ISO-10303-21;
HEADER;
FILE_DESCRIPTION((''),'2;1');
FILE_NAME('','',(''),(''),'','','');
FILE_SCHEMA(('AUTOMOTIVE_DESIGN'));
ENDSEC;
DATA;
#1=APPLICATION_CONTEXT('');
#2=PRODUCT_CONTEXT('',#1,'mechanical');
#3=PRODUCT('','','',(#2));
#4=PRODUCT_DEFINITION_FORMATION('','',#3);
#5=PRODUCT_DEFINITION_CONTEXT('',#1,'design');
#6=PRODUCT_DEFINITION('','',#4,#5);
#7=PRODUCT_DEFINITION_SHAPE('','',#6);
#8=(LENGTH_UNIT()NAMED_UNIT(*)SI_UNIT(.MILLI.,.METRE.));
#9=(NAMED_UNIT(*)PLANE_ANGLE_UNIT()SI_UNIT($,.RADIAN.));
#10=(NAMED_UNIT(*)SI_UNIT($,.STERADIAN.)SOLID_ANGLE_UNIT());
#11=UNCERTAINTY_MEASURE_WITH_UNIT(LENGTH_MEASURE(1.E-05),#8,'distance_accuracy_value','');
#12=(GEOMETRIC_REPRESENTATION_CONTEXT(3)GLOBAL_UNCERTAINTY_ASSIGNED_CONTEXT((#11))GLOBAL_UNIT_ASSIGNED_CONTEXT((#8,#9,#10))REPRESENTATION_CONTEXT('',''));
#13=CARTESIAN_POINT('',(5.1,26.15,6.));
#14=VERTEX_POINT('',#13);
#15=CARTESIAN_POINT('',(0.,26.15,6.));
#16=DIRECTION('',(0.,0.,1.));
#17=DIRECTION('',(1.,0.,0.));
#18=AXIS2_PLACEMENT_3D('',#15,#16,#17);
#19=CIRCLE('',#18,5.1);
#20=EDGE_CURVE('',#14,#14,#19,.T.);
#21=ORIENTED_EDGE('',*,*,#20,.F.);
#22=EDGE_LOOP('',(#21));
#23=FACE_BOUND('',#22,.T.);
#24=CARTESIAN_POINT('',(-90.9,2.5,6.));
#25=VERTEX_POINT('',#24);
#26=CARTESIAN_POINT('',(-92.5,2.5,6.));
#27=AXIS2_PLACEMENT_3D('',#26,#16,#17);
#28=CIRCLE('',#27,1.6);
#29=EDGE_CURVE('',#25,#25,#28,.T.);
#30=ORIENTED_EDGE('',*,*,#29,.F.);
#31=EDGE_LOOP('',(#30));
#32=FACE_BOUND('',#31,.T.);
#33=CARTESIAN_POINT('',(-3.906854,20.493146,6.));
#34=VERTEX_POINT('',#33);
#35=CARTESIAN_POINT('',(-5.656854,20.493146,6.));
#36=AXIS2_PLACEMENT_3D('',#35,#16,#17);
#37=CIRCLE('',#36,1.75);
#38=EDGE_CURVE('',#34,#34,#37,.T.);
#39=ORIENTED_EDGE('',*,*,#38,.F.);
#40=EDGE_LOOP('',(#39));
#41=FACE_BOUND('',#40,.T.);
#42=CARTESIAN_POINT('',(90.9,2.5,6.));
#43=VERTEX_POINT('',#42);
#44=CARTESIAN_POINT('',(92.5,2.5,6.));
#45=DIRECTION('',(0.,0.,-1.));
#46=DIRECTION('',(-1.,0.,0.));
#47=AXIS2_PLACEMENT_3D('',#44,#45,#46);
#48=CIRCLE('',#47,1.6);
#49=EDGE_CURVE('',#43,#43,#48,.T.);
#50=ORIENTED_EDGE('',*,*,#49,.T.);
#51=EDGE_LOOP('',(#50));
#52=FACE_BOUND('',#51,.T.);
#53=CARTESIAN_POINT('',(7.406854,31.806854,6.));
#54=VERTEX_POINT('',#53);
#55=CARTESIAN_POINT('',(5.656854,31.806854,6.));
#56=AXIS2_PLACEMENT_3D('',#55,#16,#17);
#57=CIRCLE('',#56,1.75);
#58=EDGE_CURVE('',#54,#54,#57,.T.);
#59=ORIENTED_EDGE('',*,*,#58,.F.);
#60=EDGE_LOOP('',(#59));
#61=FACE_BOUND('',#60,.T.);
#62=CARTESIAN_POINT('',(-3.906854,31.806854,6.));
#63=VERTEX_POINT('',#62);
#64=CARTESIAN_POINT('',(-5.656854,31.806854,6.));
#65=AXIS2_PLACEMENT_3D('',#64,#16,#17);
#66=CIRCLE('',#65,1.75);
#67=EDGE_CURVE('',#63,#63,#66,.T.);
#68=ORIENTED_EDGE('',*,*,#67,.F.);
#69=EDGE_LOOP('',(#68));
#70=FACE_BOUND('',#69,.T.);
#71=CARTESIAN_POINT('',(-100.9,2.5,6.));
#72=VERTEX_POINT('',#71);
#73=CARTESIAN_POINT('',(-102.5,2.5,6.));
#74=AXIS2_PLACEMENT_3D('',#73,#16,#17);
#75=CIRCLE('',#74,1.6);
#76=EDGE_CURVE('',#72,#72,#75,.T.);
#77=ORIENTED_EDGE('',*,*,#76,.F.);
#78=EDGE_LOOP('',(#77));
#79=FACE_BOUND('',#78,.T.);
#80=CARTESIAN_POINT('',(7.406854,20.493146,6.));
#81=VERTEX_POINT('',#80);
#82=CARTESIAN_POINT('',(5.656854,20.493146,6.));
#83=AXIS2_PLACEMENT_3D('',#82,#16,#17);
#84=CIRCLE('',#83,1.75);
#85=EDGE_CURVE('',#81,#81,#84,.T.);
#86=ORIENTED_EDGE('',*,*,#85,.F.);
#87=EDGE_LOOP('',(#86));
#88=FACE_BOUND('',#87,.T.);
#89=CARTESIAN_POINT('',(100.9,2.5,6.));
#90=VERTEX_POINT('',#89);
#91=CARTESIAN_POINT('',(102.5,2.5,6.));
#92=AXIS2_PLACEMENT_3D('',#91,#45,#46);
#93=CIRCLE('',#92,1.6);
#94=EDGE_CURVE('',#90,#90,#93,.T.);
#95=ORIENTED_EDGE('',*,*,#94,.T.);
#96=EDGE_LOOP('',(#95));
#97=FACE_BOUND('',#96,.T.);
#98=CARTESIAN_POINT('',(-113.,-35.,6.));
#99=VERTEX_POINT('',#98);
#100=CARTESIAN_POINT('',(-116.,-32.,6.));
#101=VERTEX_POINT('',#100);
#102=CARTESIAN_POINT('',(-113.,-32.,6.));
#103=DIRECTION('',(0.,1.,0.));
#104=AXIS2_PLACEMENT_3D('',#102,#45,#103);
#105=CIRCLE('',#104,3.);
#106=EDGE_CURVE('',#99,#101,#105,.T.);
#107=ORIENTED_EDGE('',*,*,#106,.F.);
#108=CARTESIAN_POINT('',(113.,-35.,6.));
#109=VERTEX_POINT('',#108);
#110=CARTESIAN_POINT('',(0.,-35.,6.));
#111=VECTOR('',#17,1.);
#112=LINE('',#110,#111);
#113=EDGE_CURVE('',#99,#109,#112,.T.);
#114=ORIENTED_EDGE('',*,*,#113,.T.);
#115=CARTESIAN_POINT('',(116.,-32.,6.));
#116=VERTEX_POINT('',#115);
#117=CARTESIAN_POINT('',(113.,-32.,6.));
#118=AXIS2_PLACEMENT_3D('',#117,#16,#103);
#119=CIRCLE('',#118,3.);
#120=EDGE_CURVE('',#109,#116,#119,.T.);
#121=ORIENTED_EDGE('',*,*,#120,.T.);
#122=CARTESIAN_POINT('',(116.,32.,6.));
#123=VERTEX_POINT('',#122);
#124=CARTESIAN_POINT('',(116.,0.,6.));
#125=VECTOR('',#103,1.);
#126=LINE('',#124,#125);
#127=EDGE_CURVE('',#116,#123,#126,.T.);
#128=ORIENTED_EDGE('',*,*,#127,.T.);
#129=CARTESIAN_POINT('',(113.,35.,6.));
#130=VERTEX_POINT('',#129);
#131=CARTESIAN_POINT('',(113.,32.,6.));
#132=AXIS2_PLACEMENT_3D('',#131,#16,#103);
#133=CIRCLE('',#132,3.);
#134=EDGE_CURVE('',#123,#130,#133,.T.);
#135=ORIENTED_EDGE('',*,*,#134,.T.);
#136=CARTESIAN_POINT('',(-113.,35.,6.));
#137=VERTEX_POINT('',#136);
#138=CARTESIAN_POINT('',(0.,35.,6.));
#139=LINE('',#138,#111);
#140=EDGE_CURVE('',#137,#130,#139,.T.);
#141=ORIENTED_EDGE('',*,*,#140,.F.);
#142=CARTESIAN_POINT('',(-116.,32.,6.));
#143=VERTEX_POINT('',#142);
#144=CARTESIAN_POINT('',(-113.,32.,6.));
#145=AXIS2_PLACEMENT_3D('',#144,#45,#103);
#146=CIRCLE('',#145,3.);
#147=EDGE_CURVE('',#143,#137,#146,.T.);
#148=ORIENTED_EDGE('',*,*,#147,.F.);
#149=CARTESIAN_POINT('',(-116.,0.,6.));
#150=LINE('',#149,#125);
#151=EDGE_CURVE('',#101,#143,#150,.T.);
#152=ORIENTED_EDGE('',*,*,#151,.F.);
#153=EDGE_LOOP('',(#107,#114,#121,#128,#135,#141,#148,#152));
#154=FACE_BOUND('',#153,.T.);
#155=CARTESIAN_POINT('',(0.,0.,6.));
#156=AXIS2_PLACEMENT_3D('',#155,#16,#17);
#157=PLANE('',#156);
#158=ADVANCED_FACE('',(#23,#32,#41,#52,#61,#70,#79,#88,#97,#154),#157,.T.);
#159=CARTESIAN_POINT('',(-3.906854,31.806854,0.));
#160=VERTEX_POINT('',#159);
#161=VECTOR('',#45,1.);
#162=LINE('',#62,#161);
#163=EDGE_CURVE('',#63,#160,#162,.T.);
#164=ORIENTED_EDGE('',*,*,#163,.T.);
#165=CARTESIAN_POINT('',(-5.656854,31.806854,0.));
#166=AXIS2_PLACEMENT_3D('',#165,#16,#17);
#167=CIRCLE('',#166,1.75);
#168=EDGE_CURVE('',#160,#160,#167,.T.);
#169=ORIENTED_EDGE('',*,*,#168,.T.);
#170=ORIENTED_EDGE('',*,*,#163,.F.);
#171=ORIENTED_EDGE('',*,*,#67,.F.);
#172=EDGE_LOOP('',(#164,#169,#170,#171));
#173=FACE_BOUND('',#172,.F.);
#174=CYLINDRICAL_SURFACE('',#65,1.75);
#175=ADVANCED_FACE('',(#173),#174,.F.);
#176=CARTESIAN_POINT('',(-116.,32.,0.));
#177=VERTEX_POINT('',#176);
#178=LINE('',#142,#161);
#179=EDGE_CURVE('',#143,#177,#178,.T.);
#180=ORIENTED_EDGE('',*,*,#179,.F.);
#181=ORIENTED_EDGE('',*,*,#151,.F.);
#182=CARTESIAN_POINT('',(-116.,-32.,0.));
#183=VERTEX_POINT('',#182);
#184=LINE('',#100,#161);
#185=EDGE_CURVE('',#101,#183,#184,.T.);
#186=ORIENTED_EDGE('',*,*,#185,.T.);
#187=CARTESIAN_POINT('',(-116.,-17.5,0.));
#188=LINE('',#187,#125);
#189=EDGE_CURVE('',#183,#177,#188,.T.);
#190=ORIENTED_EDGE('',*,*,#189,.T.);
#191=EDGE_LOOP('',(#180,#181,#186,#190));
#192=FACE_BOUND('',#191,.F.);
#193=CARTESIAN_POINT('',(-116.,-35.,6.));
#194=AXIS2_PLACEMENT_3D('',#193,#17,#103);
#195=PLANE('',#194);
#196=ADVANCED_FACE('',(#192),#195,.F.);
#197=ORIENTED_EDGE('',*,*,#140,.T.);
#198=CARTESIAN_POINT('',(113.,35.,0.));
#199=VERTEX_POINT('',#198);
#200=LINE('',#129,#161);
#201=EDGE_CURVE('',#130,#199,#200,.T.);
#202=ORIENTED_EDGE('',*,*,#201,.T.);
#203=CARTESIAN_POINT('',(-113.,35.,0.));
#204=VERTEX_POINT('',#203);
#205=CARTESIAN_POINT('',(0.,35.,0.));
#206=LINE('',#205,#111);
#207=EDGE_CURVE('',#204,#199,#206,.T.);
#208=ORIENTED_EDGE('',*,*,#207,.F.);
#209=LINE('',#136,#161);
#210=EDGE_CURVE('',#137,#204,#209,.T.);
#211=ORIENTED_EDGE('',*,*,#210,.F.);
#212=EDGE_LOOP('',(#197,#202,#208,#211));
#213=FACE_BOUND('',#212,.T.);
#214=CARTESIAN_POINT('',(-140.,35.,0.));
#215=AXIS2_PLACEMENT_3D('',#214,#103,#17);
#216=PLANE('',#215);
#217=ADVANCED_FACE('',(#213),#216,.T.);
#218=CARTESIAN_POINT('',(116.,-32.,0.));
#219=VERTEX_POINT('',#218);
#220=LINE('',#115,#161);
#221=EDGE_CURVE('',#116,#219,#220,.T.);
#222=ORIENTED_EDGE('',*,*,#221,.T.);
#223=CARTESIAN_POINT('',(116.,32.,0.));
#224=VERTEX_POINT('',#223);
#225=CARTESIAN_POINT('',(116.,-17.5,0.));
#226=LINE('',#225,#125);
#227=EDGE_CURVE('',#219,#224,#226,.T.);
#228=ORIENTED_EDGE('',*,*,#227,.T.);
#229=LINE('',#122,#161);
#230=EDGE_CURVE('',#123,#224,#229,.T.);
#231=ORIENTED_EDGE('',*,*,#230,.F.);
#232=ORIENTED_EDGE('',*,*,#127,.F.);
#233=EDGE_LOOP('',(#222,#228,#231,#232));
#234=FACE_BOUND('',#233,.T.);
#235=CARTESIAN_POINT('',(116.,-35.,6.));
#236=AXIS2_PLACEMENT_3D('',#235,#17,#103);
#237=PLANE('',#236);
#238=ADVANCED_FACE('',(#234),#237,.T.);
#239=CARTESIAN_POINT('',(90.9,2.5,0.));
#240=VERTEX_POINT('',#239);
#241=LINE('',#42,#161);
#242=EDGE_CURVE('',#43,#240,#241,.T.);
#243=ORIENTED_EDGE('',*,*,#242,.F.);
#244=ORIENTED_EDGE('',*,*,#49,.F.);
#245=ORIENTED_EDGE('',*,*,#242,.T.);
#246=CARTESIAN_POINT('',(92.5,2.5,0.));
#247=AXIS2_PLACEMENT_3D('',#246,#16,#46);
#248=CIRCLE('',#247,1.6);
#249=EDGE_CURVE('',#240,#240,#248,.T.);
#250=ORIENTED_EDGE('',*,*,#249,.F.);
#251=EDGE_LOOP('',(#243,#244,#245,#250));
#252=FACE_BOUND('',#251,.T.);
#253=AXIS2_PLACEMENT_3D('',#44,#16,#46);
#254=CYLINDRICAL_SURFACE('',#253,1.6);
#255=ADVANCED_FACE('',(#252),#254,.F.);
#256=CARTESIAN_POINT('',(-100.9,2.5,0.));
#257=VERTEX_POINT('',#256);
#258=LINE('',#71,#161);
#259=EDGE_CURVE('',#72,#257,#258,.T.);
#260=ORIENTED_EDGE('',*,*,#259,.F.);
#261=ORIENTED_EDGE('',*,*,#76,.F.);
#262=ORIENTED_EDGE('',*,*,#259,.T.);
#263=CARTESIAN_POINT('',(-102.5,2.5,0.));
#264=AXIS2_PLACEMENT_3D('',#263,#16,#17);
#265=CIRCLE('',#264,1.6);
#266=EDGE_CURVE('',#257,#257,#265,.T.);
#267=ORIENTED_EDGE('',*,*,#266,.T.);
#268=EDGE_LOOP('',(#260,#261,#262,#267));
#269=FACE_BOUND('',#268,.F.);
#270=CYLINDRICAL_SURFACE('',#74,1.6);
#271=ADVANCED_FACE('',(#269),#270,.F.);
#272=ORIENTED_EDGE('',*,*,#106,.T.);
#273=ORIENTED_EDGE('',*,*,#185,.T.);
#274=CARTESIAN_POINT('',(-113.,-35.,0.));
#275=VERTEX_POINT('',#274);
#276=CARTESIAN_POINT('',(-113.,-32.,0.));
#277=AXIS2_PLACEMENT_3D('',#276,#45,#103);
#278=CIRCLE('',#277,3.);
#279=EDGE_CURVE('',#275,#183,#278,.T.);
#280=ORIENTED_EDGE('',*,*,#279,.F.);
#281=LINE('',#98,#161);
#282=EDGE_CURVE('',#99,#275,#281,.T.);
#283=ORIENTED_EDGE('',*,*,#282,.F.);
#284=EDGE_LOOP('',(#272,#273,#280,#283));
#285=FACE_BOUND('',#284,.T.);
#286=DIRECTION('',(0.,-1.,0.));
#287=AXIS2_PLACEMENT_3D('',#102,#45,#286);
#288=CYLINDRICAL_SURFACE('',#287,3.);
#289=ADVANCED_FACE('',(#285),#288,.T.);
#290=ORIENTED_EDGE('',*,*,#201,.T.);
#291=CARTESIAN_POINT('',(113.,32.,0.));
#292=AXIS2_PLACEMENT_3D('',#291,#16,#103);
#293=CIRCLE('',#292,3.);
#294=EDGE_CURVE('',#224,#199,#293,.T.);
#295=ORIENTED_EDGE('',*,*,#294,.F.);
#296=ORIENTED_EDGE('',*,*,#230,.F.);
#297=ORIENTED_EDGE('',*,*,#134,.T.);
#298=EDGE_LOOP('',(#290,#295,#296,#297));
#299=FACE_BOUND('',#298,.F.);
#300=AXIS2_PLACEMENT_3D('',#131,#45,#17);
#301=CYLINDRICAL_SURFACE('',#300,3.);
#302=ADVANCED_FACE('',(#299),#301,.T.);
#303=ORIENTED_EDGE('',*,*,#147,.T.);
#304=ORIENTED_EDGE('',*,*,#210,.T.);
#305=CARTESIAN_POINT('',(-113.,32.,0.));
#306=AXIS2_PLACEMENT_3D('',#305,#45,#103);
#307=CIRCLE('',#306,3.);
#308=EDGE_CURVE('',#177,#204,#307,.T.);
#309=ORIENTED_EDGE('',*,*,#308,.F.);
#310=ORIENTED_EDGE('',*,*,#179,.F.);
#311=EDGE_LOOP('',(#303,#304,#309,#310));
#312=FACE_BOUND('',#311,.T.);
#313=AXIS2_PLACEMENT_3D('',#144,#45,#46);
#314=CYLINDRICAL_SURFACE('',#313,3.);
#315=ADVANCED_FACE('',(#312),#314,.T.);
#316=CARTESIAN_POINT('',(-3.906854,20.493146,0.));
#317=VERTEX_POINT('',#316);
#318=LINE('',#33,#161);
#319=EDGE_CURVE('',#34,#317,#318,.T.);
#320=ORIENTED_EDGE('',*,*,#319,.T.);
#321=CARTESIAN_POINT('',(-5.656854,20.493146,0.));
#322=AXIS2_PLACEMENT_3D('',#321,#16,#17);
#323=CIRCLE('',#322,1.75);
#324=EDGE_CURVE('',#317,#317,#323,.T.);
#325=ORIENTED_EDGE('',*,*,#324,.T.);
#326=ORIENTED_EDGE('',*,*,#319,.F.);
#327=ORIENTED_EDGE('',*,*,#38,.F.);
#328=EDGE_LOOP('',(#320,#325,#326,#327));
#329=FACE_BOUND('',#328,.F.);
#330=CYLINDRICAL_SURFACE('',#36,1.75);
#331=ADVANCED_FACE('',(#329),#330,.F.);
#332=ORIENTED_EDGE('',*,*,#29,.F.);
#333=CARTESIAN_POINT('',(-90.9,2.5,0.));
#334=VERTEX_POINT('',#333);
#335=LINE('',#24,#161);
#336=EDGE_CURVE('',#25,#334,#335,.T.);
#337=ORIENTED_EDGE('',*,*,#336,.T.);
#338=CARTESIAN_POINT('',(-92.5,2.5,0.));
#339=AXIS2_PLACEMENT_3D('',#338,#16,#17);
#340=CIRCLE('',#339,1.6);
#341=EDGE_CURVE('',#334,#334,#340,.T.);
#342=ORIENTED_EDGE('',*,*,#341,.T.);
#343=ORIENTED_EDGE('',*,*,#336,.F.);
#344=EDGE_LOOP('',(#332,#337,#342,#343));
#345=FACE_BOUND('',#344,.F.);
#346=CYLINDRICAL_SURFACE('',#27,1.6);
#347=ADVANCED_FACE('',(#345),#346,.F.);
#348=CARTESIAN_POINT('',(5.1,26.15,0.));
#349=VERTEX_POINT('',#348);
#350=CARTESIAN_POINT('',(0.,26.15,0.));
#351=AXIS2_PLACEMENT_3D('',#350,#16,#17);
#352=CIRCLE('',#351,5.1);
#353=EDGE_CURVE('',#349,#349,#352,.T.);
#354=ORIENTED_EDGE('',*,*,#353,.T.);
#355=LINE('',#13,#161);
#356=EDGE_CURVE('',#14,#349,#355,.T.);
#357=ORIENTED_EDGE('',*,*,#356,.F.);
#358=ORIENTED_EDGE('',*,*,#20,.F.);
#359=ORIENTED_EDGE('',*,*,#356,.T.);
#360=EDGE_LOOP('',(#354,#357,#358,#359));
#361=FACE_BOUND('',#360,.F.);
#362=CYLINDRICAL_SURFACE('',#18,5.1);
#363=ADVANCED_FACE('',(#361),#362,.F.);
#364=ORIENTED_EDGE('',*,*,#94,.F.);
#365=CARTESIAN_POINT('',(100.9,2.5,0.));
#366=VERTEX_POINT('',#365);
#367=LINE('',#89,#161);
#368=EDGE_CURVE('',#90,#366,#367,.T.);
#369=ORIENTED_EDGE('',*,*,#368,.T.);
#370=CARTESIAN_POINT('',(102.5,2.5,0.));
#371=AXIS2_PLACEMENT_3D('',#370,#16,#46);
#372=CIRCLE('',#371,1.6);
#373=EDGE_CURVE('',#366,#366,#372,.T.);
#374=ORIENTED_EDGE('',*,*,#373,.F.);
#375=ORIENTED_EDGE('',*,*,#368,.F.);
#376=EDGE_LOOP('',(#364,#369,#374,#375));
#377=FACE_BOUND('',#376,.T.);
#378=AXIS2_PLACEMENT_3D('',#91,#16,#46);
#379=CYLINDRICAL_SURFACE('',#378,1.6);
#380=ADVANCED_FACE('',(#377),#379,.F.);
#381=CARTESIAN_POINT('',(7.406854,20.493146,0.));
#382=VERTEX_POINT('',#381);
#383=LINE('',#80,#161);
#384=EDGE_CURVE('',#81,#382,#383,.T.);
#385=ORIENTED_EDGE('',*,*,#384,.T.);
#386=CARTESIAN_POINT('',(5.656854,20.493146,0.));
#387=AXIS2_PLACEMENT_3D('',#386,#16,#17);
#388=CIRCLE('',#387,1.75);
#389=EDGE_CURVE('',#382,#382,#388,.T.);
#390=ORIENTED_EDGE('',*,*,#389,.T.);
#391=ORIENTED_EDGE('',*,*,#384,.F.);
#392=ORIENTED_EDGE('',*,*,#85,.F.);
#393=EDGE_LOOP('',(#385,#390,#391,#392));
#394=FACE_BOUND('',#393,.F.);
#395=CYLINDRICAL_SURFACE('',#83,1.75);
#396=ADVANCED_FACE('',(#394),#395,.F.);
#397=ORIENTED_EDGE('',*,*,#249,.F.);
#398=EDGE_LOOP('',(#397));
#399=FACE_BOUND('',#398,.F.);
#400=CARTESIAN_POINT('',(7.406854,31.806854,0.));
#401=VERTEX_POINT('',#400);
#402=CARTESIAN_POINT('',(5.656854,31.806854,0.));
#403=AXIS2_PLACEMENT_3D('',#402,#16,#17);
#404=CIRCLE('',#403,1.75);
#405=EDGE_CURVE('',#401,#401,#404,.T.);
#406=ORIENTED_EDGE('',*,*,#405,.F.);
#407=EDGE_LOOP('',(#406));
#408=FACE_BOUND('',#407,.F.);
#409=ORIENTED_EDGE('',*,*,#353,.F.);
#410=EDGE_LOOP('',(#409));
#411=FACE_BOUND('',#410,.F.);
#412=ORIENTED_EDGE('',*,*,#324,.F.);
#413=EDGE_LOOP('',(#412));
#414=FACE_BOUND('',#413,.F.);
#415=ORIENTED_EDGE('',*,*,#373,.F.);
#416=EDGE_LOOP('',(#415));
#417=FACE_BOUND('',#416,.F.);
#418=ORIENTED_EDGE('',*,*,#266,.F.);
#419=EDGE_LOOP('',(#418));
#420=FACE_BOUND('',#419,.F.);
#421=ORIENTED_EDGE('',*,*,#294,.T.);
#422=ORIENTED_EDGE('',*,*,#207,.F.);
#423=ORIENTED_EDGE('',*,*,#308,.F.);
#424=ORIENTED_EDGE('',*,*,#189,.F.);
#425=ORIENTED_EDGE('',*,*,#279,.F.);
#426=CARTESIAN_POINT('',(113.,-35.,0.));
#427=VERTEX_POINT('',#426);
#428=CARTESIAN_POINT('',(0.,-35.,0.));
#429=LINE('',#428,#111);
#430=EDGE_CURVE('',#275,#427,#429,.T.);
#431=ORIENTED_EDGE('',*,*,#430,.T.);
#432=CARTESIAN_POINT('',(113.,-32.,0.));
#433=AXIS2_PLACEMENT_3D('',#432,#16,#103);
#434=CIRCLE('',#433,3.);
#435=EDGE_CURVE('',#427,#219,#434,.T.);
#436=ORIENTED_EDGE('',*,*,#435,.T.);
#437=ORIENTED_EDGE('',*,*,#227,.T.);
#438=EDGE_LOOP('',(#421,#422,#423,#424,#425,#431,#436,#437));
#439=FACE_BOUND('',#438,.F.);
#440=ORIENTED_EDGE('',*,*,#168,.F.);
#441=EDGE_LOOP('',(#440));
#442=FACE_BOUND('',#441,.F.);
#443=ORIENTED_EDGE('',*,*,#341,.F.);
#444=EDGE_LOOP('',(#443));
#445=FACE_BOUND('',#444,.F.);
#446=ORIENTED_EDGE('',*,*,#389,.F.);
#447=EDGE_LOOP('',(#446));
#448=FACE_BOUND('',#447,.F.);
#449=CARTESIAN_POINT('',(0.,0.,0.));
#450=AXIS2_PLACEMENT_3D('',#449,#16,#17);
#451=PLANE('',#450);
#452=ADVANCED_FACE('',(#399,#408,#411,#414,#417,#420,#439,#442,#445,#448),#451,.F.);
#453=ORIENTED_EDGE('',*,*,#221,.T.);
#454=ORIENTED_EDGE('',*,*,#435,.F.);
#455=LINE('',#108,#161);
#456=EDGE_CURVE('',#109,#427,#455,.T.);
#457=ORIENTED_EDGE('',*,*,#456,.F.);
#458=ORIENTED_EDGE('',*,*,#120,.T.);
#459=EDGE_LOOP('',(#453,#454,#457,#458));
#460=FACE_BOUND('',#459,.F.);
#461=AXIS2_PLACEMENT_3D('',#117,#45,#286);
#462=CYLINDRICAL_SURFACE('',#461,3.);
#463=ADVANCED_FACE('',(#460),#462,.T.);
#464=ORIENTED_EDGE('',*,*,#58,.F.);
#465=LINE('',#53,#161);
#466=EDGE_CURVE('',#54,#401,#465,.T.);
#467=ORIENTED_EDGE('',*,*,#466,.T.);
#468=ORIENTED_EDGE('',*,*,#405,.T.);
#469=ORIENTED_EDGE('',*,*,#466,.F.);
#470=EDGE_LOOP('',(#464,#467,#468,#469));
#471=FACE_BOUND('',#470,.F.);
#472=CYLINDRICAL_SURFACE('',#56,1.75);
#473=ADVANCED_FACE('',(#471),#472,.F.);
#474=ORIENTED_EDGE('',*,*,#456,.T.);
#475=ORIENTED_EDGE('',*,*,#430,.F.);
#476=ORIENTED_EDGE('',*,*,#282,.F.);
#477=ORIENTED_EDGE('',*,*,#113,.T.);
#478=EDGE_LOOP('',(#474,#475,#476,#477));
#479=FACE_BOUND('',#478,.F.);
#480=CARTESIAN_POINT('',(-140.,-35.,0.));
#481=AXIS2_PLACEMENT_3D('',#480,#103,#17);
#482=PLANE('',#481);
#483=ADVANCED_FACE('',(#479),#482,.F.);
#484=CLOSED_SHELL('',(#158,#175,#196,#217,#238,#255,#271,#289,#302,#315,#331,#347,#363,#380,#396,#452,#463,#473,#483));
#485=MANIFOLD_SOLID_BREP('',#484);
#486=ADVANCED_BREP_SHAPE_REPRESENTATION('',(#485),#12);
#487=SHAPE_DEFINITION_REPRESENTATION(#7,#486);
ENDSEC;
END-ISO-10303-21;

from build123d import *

# Parameters (mm, degrees)
SKETCH_W        = 280
SKETCH_H        = 70
PAD_DEPTH       = 6
SKETCH001_R     = 5.1
SKETCH001_R_2   = 1.75
POCKET_DEPTH    = 6.001
SKETCH002_R     = 1.6
POCKET001_DEPTH = 583.360507
SKETCH003_W     = 24
SKETCH003_H     = 70
POCKET002_DEPTH = 6.001
FILLET_R        = 3


with BuildPart() as part:
    # Sketch → Pad (new body)
    with BuildSketch(Plane.XY):
        Rectangle(SKETCH_W, SKETCH_H)
    extrude(amount=PAD_DEPTH)

    # Sketch001 (on Face6 of Pad) → Pocket (cut, through all)
    with BuildSketch(Plane.XY.offset(6)):
        with Locations((0, 26.15)):
            Circle(SKETCH001_R)
        with Locations((-5.656854, 31.806854)):
            Circle(SKETCH001_R_2)
        with Locations((-5.656854, 20.493146)):
            Circle(SKETCH001_R_2)
        with Locations((5.656854, 31.806854)):
            Circle(SKETCH001_R_2)
        with Locations((5.656854, 20.493146)):
            Circle(SKETCH001_R_2)
    extrude(amount=-POCKET_DEPTH, mode=Mode.SUBTRACT)

    # Sketch002 (on Face5 of Pocket) → Pocket001 (cut, through all)
    with BuildSketch(Plane.XY.offset(6)):
        with Locations((-102.5, 2.5)):
            Circle(SKETCH002_R)
        with Locations((-92.5, 2.5)):
            Circle(SKETCH002_R)
    pocket001 = extrude(amount=-POCKET001_DEPTH, mode=Mode.SUBTRACT)

    # Mirrored: Pocket001 across Sketch002 V_Axis
    add(pocket001.mirror(Plane(origin=(0, 0, 6), x_dir=(0, 0, 1), z_dir=(1, 0, 0))), mode=Mode.SUBTRACT)

    # Sketch003 (on Face5 of Mirrored) → Pocket002 (cut, through all)
    with BuildSketch(Plane.XY.offset(6)):
        with Locations((-128, 0)):
            Rectangle(SKETCH003_W, SKETCH003_H)
        with Locations((128, 0)):
            Rectangle(SKETCH003_W, SKETCH003_H)
    extrude(amount=-POCKET002_DEPTH, mode=Mode.SUBTRACT)

    # Fillet
    fillet_edges = [part.edges().sort_by_distance(p)[0] for p in [
        (116, 35, 3),
        (116, -35, 3),
        (-116, 35, 3),
        (-116, -35, 3),
    ]]
    fillet(fillet_edges, radius=FILLET_R)


solid = part.part
